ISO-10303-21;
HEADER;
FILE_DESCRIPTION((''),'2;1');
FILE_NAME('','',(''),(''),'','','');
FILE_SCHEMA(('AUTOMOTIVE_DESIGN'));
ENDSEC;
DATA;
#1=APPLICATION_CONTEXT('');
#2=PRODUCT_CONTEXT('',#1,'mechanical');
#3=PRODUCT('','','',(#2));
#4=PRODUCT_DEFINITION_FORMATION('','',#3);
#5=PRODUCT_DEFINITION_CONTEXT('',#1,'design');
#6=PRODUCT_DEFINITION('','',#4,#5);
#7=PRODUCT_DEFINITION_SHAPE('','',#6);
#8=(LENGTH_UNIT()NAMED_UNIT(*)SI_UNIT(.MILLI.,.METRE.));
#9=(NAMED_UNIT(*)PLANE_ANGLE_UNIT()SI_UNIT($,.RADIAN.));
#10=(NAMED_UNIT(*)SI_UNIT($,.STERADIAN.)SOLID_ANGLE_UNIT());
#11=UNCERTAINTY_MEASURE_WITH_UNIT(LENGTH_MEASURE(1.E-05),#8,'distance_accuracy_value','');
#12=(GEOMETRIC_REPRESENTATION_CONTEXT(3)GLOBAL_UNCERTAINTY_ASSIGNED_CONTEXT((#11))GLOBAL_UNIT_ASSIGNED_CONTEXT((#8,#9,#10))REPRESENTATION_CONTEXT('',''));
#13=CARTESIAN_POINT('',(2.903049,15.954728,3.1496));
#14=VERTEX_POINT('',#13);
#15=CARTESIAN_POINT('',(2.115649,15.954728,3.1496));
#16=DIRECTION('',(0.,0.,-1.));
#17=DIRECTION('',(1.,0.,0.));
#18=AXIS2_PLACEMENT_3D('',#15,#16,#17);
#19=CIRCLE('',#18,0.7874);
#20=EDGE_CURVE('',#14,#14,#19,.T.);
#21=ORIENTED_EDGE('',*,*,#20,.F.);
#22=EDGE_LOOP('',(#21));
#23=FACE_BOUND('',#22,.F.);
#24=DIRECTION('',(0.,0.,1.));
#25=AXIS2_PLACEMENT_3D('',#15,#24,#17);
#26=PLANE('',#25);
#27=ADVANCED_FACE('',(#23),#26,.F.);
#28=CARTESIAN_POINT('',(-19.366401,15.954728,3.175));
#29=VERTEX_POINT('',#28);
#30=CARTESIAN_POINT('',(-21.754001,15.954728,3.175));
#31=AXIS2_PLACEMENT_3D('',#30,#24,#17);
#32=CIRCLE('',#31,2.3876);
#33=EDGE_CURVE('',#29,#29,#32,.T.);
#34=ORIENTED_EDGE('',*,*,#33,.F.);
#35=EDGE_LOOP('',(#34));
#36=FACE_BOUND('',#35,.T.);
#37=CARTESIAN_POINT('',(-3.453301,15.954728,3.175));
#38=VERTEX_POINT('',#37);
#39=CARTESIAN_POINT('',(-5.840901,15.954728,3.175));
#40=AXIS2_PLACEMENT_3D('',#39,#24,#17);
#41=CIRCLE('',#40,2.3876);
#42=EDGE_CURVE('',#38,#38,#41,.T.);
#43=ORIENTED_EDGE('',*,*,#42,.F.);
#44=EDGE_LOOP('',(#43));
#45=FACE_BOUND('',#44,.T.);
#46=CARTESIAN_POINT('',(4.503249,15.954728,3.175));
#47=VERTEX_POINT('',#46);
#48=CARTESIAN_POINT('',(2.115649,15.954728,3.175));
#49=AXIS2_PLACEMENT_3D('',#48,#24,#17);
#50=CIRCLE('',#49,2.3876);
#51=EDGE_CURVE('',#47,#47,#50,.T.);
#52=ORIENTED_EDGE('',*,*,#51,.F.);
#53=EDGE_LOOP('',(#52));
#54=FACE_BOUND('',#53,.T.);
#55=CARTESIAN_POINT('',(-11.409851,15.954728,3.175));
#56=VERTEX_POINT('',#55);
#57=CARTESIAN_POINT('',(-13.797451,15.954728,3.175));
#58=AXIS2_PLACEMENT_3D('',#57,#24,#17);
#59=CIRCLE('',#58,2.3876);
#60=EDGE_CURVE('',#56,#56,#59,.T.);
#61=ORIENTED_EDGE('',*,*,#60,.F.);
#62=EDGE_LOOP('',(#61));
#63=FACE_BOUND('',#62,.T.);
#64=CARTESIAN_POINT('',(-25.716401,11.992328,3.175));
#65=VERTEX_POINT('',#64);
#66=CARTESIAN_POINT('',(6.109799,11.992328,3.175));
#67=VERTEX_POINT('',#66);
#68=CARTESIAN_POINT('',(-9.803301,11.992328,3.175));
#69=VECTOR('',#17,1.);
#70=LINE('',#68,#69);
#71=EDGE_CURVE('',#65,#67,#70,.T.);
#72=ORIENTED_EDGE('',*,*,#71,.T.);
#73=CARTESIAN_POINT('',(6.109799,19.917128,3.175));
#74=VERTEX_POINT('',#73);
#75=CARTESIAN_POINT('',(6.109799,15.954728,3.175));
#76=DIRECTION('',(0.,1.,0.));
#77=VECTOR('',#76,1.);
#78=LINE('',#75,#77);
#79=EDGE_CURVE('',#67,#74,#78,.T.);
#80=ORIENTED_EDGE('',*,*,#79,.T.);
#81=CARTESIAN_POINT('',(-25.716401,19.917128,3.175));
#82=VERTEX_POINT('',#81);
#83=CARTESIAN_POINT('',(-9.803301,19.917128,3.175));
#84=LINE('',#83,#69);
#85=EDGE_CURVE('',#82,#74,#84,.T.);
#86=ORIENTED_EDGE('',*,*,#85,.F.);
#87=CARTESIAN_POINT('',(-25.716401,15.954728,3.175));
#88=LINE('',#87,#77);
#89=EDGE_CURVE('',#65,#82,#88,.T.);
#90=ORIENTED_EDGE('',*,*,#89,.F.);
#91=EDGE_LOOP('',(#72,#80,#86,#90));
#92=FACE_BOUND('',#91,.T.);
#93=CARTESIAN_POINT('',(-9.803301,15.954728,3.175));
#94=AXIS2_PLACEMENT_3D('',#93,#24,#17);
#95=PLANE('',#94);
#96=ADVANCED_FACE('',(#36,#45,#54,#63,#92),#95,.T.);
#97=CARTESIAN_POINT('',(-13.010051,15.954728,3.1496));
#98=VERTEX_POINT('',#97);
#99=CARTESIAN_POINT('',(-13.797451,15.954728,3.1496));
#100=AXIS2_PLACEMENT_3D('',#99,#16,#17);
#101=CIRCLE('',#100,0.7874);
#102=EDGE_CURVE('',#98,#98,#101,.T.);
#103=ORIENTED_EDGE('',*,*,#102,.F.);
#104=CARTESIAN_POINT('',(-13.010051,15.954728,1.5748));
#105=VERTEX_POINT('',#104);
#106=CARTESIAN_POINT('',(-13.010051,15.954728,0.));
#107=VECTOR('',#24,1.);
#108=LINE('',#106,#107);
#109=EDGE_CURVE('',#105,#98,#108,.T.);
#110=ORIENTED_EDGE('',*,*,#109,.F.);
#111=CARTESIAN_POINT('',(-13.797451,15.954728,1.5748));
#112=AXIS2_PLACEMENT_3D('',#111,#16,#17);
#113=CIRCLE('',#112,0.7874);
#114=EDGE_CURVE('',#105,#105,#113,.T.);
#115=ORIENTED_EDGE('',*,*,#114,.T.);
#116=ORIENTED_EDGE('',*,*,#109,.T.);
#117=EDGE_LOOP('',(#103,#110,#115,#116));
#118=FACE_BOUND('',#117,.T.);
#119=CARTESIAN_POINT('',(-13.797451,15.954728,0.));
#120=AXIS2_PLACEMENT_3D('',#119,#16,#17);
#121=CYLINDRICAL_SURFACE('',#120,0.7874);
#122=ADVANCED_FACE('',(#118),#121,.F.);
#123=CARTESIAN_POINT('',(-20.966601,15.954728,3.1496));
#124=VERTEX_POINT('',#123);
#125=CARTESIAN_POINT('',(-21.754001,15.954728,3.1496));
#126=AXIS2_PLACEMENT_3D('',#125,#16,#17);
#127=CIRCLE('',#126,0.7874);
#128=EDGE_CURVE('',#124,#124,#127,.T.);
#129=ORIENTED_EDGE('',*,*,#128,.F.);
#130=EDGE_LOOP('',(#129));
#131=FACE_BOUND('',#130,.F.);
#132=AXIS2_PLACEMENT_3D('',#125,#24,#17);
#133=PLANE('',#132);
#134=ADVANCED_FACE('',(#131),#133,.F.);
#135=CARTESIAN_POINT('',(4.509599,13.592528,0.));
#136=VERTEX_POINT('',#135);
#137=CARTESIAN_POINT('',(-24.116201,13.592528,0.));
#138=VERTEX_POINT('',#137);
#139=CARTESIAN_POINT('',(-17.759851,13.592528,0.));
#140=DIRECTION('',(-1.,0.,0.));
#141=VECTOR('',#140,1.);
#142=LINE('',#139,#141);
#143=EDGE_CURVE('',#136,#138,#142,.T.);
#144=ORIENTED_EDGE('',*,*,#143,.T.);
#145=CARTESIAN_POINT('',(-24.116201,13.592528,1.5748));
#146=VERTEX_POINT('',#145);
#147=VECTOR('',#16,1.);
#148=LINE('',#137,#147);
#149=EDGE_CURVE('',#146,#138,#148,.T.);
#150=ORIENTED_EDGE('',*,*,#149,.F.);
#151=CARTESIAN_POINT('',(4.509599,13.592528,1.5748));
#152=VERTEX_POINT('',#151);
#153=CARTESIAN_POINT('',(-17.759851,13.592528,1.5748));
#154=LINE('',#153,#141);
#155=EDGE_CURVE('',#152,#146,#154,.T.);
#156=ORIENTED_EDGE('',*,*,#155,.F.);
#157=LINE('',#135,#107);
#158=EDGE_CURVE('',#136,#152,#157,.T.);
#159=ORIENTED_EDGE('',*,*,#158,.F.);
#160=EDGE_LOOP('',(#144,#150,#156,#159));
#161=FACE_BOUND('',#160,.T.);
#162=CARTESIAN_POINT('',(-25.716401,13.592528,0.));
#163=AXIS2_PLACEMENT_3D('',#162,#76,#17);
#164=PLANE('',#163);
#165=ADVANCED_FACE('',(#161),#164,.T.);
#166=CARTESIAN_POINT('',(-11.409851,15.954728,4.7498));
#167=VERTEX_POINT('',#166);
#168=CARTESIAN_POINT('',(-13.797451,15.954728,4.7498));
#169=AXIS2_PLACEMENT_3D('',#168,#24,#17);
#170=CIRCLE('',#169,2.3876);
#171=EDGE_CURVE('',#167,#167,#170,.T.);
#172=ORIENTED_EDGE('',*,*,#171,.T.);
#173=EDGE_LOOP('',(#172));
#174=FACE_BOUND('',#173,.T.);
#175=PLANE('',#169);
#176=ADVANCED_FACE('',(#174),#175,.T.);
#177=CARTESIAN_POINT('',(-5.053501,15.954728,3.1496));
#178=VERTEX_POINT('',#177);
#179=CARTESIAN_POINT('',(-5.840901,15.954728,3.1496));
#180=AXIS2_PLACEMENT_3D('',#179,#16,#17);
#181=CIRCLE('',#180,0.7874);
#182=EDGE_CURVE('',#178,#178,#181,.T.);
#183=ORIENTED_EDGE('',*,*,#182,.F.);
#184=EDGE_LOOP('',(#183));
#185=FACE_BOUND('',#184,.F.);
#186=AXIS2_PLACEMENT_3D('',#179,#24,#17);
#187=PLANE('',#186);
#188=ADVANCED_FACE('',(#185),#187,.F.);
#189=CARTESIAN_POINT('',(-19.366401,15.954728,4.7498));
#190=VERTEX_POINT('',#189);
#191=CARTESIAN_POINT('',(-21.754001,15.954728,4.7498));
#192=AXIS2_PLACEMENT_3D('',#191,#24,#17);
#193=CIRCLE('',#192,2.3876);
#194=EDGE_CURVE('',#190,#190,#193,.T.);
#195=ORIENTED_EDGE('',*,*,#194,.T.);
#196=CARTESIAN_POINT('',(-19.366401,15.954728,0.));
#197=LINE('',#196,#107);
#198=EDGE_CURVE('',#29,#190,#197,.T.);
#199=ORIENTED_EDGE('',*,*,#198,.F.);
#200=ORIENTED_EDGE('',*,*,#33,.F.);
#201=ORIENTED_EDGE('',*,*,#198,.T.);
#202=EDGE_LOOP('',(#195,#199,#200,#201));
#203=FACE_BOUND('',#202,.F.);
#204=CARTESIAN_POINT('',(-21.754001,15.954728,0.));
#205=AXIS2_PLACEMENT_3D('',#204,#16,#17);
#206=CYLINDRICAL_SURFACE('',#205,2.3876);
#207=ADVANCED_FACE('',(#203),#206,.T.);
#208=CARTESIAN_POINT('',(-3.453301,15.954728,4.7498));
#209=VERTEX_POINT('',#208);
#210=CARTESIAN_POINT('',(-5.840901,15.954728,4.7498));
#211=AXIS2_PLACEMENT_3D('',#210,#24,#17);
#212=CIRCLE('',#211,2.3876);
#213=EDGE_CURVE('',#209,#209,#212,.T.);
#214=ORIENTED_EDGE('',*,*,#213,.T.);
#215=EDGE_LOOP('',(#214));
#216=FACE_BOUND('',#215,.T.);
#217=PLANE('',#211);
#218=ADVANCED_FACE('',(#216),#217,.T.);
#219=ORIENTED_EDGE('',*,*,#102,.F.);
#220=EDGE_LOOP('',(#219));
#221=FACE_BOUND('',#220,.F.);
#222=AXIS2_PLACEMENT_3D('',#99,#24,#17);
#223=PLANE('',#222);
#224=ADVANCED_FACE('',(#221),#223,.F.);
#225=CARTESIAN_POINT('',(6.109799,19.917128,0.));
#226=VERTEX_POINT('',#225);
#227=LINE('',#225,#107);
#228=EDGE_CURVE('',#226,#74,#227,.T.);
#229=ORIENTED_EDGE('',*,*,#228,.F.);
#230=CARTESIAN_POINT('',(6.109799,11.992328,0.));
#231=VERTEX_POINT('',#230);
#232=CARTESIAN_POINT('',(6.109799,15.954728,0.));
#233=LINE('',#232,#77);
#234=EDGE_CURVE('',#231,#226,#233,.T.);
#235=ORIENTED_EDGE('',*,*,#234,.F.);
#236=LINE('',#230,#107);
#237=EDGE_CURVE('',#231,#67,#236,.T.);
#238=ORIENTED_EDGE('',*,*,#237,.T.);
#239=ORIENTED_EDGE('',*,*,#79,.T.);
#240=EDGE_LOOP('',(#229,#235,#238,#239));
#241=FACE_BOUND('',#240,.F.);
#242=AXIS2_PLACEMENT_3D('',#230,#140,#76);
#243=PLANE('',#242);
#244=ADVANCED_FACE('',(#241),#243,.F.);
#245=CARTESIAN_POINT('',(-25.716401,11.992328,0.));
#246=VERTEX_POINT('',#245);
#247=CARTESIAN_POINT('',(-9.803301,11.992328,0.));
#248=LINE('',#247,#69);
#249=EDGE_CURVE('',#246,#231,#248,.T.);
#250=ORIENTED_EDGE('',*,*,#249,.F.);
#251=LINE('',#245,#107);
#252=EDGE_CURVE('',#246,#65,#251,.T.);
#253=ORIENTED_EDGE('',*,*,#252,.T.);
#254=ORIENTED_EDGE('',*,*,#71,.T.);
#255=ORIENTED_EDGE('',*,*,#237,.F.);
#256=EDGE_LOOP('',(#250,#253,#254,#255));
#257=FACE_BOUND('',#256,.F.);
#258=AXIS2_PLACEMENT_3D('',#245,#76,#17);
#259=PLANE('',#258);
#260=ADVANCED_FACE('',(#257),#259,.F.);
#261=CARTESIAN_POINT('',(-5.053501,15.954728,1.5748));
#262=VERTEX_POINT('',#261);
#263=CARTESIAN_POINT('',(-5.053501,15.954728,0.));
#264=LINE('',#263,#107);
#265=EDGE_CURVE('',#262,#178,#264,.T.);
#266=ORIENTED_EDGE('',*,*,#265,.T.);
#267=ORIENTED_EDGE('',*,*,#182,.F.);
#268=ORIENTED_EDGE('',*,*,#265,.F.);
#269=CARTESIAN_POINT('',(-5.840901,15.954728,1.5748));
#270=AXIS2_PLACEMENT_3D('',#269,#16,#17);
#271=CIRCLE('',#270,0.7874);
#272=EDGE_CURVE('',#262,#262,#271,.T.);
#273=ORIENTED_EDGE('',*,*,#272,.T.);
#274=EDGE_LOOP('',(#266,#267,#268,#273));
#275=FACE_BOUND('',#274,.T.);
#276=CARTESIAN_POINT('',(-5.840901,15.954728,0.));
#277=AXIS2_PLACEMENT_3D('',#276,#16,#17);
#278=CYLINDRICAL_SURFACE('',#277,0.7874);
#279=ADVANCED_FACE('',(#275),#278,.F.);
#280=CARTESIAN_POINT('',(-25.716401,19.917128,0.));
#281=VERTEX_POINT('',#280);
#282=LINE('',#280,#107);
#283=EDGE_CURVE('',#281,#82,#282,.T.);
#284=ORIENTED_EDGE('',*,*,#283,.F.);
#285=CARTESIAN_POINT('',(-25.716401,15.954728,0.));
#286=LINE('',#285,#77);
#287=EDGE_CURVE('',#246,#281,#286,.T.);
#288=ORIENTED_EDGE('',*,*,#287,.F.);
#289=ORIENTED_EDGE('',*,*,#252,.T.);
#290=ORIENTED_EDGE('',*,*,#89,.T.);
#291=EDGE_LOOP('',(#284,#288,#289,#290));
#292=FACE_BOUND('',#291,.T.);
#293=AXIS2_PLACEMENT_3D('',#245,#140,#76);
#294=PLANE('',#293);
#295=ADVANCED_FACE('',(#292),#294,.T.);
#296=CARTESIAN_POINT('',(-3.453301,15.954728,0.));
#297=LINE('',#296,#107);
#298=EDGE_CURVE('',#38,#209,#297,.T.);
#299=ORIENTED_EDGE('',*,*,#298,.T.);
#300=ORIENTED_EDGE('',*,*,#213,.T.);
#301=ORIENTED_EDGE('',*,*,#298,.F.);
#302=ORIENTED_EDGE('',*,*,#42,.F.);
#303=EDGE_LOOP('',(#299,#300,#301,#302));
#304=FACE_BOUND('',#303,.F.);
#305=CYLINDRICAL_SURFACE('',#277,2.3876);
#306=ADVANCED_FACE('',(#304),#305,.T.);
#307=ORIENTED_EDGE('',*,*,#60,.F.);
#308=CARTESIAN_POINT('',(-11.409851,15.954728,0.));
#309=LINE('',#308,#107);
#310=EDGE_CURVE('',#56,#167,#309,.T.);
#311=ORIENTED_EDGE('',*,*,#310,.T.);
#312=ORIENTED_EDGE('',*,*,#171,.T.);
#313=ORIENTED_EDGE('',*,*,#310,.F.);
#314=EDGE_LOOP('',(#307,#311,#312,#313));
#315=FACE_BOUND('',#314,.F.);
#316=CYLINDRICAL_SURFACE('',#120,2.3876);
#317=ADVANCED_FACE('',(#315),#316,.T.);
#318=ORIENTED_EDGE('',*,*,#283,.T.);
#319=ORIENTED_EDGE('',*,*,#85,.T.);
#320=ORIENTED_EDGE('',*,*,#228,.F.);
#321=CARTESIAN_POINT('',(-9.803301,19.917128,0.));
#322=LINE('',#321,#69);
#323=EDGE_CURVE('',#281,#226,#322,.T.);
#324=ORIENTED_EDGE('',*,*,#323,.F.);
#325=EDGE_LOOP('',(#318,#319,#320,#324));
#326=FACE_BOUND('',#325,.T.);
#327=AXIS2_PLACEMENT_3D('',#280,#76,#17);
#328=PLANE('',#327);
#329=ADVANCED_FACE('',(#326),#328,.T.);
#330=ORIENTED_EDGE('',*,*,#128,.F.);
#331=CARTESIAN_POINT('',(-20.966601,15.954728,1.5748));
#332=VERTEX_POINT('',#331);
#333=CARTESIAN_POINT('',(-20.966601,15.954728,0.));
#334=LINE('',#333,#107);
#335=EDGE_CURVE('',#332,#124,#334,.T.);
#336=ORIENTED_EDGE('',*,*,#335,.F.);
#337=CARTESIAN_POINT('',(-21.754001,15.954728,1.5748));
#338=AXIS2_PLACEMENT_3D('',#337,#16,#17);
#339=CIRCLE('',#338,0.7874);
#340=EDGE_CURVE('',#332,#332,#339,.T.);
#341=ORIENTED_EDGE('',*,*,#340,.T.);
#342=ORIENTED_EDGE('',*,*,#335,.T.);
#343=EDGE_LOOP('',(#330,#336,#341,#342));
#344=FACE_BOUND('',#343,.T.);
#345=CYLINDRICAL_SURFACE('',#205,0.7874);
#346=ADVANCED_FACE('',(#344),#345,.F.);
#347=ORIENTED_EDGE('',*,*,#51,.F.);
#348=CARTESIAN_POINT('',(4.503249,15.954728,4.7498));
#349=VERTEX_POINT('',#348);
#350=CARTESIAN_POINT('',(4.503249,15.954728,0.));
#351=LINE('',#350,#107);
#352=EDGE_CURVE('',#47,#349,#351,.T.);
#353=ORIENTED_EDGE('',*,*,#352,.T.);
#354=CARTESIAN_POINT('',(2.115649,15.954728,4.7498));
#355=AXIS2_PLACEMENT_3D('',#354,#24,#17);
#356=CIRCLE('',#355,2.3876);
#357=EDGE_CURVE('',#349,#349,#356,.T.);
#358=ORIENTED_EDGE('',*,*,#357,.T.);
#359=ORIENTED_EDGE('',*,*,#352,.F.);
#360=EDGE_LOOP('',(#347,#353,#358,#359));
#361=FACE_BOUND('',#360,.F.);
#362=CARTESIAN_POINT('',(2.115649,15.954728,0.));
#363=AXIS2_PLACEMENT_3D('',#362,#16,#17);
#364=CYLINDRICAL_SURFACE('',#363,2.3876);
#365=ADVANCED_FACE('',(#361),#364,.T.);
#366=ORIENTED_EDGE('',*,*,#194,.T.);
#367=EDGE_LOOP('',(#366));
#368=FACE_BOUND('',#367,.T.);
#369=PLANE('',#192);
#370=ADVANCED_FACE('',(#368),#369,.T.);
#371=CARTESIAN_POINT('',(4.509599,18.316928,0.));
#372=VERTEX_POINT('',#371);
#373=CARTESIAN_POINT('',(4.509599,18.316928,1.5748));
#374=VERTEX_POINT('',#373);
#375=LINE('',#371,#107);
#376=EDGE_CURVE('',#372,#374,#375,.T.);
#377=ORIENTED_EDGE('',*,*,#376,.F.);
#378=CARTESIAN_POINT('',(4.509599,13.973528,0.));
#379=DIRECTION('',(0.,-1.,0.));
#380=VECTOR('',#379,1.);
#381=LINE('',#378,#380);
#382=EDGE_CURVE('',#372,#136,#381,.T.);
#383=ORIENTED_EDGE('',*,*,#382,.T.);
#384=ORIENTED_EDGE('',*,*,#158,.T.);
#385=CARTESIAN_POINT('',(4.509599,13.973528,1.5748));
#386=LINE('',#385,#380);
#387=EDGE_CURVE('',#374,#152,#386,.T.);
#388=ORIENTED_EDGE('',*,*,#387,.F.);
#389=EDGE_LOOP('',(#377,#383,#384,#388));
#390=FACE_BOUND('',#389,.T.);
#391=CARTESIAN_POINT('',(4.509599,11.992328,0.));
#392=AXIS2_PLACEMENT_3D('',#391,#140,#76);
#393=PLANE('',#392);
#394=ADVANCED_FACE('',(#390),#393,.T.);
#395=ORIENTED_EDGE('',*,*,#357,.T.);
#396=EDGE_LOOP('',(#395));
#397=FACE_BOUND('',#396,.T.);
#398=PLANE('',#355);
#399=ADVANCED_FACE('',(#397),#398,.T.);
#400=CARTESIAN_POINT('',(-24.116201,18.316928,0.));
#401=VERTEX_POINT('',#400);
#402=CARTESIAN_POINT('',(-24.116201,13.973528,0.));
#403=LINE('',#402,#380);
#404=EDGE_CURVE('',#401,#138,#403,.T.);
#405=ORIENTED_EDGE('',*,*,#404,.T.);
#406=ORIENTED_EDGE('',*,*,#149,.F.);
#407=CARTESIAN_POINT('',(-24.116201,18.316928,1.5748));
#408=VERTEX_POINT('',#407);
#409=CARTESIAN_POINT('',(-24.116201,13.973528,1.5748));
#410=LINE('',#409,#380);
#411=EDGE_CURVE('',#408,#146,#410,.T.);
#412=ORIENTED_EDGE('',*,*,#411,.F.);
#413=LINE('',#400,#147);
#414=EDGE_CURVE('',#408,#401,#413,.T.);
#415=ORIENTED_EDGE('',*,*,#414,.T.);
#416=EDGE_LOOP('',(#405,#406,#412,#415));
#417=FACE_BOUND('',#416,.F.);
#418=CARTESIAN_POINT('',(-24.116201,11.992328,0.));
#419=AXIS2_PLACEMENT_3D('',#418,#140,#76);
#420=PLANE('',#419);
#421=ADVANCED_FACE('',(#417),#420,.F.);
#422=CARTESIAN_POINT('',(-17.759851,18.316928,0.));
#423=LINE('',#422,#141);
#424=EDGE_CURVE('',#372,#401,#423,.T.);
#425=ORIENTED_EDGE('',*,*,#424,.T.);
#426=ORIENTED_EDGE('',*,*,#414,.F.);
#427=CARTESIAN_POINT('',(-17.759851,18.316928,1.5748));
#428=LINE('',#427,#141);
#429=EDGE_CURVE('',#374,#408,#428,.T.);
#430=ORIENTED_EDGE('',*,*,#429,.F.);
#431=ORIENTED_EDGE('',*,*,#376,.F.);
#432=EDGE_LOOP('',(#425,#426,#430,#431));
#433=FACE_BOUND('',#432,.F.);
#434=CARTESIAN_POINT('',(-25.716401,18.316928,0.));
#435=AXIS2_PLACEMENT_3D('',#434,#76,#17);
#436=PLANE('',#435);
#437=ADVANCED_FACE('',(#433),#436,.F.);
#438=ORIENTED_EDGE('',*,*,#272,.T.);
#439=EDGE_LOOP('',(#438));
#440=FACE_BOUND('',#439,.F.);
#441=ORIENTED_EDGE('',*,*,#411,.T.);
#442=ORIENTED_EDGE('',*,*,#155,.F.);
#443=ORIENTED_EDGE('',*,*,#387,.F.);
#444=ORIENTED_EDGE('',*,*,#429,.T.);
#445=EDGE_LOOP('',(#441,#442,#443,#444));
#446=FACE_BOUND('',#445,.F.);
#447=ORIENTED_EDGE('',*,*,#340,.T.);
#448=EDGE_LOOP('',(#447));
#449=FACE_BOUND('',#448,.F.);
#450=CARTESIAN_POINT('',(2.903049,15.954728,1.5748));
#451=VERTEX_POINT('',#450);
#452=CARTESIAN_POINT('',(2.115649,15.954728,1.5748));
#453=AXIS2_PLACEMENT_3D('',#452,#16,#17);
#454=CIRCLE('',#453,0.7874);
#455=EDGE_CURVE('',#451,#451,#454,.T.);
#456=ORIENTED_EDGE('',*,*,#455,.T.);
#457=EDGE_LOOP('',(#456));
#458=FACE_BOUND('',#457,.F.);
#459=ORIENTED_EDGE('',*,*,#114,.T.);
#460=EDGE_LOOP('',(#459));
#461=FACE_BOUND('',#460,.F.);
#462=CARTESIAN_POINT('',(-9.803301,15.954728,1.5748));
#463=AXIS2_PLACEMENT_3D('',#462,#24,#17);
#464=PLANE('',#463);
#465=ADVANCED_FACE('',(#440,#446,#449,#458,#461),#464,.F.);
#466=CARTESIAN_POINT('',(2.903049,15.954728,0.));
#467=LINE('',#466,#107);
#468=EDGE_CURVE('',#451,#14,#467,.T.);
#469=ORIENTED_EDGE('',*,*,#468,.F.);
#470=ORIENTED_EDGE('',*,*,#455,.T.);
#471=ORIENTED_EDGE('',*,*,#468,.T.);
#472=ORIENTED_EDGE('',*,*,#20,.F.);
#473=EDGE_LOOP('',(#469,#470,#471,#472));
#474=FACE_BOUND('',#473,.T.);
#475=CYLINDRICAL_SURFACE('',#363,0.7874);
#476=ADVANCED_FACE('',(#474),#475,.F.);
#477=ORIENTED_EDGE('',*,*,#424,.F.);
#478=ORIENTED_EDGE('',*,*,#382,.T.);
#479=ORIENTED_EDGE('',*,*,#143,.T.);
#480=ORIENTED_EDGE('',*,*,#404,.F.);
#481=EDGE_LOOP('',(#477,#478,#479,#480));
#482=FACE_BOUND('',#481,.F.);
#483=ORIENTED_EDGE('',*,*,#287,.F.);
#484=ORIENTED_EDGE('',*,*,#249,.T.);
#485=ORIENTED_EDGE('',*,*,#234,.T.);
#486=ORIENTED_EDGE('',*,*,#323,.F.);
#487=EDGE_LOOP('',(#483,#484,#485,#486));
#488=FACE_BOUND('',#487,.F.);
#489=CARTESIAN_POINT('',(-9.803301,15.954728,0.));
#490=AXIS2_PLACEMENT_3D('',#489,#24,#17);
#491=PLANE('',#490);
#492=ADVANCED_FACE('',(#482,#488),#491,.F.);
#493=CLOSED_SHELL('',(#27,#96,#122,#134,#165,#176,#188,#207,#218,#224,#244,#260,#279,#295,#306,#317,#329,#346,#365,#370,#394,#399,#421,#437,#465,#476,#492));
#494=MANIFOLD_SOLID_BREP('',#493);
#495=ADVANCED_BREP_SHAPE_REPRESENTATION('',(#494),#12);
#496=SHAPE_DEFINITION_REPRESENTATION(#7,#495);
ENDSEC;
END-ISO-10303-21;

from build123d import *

# Parameters (mm, degrees)
F0_W     = 31.8262
F0_H     = 7.9248
F0_R     = 2.3876
F1_DEPTH = 3.175
F2_DEPTH = 4.7498
F3_T     = -1.6002


with BuildPart() as f1:
    # F0 (on Top) → F1 (new body)
    with BuildSketch(Plane.XY):
        with Locations((-9.8033006705, 15.9547276562)):
            Rectangle(F0_W, F0_H)
        with Locations((-21.7540006705, 15.9547276562)):
            Circle(F0_R, mode=Mode.SUBTRACT)
        with Locations((-13.7974506705, 15.9547276562)):
            Circle(F0_R, mode=Mode.SUBTRACT)
        with Locations((-5.8409006705, 15.9547276562)):
            Circle(F0_R, mode=Mode.SUBTRACT)
        with Locations((2.1156493295, 15.9547276562)):
            Circle(F0_R, mode=Mode.SUBTRACT)
    extrude(amount=F1_DEPTH)

    # F0 (on Top) → F2 (join)
    with BuildSketch(Plane.XY):
        with Locations((-21.7540006705, 15.9547276562)):
            Circle(F0_R)
        with Locations((-13.7974506705, 15.9547276562)):
            Circle(F0_R)
        with Locations((-5.8409006705, 15.9547276562)):
            Circle(F0_R)
        with Locations((2.1156493295, 15.9547276562)):
            Circle(F0_R)
    extrude(amount=F2_DEPTH)

    # F3
    f3_openings = [f1.faces().sort_by_distance(p)[0] for p in [
        (-9.803301, 15.954728, 0),
    ]]
    offset(amount=F3_T, openings=f3_openings, kind=Kind.INTERSECTION)


solid = f1.part
